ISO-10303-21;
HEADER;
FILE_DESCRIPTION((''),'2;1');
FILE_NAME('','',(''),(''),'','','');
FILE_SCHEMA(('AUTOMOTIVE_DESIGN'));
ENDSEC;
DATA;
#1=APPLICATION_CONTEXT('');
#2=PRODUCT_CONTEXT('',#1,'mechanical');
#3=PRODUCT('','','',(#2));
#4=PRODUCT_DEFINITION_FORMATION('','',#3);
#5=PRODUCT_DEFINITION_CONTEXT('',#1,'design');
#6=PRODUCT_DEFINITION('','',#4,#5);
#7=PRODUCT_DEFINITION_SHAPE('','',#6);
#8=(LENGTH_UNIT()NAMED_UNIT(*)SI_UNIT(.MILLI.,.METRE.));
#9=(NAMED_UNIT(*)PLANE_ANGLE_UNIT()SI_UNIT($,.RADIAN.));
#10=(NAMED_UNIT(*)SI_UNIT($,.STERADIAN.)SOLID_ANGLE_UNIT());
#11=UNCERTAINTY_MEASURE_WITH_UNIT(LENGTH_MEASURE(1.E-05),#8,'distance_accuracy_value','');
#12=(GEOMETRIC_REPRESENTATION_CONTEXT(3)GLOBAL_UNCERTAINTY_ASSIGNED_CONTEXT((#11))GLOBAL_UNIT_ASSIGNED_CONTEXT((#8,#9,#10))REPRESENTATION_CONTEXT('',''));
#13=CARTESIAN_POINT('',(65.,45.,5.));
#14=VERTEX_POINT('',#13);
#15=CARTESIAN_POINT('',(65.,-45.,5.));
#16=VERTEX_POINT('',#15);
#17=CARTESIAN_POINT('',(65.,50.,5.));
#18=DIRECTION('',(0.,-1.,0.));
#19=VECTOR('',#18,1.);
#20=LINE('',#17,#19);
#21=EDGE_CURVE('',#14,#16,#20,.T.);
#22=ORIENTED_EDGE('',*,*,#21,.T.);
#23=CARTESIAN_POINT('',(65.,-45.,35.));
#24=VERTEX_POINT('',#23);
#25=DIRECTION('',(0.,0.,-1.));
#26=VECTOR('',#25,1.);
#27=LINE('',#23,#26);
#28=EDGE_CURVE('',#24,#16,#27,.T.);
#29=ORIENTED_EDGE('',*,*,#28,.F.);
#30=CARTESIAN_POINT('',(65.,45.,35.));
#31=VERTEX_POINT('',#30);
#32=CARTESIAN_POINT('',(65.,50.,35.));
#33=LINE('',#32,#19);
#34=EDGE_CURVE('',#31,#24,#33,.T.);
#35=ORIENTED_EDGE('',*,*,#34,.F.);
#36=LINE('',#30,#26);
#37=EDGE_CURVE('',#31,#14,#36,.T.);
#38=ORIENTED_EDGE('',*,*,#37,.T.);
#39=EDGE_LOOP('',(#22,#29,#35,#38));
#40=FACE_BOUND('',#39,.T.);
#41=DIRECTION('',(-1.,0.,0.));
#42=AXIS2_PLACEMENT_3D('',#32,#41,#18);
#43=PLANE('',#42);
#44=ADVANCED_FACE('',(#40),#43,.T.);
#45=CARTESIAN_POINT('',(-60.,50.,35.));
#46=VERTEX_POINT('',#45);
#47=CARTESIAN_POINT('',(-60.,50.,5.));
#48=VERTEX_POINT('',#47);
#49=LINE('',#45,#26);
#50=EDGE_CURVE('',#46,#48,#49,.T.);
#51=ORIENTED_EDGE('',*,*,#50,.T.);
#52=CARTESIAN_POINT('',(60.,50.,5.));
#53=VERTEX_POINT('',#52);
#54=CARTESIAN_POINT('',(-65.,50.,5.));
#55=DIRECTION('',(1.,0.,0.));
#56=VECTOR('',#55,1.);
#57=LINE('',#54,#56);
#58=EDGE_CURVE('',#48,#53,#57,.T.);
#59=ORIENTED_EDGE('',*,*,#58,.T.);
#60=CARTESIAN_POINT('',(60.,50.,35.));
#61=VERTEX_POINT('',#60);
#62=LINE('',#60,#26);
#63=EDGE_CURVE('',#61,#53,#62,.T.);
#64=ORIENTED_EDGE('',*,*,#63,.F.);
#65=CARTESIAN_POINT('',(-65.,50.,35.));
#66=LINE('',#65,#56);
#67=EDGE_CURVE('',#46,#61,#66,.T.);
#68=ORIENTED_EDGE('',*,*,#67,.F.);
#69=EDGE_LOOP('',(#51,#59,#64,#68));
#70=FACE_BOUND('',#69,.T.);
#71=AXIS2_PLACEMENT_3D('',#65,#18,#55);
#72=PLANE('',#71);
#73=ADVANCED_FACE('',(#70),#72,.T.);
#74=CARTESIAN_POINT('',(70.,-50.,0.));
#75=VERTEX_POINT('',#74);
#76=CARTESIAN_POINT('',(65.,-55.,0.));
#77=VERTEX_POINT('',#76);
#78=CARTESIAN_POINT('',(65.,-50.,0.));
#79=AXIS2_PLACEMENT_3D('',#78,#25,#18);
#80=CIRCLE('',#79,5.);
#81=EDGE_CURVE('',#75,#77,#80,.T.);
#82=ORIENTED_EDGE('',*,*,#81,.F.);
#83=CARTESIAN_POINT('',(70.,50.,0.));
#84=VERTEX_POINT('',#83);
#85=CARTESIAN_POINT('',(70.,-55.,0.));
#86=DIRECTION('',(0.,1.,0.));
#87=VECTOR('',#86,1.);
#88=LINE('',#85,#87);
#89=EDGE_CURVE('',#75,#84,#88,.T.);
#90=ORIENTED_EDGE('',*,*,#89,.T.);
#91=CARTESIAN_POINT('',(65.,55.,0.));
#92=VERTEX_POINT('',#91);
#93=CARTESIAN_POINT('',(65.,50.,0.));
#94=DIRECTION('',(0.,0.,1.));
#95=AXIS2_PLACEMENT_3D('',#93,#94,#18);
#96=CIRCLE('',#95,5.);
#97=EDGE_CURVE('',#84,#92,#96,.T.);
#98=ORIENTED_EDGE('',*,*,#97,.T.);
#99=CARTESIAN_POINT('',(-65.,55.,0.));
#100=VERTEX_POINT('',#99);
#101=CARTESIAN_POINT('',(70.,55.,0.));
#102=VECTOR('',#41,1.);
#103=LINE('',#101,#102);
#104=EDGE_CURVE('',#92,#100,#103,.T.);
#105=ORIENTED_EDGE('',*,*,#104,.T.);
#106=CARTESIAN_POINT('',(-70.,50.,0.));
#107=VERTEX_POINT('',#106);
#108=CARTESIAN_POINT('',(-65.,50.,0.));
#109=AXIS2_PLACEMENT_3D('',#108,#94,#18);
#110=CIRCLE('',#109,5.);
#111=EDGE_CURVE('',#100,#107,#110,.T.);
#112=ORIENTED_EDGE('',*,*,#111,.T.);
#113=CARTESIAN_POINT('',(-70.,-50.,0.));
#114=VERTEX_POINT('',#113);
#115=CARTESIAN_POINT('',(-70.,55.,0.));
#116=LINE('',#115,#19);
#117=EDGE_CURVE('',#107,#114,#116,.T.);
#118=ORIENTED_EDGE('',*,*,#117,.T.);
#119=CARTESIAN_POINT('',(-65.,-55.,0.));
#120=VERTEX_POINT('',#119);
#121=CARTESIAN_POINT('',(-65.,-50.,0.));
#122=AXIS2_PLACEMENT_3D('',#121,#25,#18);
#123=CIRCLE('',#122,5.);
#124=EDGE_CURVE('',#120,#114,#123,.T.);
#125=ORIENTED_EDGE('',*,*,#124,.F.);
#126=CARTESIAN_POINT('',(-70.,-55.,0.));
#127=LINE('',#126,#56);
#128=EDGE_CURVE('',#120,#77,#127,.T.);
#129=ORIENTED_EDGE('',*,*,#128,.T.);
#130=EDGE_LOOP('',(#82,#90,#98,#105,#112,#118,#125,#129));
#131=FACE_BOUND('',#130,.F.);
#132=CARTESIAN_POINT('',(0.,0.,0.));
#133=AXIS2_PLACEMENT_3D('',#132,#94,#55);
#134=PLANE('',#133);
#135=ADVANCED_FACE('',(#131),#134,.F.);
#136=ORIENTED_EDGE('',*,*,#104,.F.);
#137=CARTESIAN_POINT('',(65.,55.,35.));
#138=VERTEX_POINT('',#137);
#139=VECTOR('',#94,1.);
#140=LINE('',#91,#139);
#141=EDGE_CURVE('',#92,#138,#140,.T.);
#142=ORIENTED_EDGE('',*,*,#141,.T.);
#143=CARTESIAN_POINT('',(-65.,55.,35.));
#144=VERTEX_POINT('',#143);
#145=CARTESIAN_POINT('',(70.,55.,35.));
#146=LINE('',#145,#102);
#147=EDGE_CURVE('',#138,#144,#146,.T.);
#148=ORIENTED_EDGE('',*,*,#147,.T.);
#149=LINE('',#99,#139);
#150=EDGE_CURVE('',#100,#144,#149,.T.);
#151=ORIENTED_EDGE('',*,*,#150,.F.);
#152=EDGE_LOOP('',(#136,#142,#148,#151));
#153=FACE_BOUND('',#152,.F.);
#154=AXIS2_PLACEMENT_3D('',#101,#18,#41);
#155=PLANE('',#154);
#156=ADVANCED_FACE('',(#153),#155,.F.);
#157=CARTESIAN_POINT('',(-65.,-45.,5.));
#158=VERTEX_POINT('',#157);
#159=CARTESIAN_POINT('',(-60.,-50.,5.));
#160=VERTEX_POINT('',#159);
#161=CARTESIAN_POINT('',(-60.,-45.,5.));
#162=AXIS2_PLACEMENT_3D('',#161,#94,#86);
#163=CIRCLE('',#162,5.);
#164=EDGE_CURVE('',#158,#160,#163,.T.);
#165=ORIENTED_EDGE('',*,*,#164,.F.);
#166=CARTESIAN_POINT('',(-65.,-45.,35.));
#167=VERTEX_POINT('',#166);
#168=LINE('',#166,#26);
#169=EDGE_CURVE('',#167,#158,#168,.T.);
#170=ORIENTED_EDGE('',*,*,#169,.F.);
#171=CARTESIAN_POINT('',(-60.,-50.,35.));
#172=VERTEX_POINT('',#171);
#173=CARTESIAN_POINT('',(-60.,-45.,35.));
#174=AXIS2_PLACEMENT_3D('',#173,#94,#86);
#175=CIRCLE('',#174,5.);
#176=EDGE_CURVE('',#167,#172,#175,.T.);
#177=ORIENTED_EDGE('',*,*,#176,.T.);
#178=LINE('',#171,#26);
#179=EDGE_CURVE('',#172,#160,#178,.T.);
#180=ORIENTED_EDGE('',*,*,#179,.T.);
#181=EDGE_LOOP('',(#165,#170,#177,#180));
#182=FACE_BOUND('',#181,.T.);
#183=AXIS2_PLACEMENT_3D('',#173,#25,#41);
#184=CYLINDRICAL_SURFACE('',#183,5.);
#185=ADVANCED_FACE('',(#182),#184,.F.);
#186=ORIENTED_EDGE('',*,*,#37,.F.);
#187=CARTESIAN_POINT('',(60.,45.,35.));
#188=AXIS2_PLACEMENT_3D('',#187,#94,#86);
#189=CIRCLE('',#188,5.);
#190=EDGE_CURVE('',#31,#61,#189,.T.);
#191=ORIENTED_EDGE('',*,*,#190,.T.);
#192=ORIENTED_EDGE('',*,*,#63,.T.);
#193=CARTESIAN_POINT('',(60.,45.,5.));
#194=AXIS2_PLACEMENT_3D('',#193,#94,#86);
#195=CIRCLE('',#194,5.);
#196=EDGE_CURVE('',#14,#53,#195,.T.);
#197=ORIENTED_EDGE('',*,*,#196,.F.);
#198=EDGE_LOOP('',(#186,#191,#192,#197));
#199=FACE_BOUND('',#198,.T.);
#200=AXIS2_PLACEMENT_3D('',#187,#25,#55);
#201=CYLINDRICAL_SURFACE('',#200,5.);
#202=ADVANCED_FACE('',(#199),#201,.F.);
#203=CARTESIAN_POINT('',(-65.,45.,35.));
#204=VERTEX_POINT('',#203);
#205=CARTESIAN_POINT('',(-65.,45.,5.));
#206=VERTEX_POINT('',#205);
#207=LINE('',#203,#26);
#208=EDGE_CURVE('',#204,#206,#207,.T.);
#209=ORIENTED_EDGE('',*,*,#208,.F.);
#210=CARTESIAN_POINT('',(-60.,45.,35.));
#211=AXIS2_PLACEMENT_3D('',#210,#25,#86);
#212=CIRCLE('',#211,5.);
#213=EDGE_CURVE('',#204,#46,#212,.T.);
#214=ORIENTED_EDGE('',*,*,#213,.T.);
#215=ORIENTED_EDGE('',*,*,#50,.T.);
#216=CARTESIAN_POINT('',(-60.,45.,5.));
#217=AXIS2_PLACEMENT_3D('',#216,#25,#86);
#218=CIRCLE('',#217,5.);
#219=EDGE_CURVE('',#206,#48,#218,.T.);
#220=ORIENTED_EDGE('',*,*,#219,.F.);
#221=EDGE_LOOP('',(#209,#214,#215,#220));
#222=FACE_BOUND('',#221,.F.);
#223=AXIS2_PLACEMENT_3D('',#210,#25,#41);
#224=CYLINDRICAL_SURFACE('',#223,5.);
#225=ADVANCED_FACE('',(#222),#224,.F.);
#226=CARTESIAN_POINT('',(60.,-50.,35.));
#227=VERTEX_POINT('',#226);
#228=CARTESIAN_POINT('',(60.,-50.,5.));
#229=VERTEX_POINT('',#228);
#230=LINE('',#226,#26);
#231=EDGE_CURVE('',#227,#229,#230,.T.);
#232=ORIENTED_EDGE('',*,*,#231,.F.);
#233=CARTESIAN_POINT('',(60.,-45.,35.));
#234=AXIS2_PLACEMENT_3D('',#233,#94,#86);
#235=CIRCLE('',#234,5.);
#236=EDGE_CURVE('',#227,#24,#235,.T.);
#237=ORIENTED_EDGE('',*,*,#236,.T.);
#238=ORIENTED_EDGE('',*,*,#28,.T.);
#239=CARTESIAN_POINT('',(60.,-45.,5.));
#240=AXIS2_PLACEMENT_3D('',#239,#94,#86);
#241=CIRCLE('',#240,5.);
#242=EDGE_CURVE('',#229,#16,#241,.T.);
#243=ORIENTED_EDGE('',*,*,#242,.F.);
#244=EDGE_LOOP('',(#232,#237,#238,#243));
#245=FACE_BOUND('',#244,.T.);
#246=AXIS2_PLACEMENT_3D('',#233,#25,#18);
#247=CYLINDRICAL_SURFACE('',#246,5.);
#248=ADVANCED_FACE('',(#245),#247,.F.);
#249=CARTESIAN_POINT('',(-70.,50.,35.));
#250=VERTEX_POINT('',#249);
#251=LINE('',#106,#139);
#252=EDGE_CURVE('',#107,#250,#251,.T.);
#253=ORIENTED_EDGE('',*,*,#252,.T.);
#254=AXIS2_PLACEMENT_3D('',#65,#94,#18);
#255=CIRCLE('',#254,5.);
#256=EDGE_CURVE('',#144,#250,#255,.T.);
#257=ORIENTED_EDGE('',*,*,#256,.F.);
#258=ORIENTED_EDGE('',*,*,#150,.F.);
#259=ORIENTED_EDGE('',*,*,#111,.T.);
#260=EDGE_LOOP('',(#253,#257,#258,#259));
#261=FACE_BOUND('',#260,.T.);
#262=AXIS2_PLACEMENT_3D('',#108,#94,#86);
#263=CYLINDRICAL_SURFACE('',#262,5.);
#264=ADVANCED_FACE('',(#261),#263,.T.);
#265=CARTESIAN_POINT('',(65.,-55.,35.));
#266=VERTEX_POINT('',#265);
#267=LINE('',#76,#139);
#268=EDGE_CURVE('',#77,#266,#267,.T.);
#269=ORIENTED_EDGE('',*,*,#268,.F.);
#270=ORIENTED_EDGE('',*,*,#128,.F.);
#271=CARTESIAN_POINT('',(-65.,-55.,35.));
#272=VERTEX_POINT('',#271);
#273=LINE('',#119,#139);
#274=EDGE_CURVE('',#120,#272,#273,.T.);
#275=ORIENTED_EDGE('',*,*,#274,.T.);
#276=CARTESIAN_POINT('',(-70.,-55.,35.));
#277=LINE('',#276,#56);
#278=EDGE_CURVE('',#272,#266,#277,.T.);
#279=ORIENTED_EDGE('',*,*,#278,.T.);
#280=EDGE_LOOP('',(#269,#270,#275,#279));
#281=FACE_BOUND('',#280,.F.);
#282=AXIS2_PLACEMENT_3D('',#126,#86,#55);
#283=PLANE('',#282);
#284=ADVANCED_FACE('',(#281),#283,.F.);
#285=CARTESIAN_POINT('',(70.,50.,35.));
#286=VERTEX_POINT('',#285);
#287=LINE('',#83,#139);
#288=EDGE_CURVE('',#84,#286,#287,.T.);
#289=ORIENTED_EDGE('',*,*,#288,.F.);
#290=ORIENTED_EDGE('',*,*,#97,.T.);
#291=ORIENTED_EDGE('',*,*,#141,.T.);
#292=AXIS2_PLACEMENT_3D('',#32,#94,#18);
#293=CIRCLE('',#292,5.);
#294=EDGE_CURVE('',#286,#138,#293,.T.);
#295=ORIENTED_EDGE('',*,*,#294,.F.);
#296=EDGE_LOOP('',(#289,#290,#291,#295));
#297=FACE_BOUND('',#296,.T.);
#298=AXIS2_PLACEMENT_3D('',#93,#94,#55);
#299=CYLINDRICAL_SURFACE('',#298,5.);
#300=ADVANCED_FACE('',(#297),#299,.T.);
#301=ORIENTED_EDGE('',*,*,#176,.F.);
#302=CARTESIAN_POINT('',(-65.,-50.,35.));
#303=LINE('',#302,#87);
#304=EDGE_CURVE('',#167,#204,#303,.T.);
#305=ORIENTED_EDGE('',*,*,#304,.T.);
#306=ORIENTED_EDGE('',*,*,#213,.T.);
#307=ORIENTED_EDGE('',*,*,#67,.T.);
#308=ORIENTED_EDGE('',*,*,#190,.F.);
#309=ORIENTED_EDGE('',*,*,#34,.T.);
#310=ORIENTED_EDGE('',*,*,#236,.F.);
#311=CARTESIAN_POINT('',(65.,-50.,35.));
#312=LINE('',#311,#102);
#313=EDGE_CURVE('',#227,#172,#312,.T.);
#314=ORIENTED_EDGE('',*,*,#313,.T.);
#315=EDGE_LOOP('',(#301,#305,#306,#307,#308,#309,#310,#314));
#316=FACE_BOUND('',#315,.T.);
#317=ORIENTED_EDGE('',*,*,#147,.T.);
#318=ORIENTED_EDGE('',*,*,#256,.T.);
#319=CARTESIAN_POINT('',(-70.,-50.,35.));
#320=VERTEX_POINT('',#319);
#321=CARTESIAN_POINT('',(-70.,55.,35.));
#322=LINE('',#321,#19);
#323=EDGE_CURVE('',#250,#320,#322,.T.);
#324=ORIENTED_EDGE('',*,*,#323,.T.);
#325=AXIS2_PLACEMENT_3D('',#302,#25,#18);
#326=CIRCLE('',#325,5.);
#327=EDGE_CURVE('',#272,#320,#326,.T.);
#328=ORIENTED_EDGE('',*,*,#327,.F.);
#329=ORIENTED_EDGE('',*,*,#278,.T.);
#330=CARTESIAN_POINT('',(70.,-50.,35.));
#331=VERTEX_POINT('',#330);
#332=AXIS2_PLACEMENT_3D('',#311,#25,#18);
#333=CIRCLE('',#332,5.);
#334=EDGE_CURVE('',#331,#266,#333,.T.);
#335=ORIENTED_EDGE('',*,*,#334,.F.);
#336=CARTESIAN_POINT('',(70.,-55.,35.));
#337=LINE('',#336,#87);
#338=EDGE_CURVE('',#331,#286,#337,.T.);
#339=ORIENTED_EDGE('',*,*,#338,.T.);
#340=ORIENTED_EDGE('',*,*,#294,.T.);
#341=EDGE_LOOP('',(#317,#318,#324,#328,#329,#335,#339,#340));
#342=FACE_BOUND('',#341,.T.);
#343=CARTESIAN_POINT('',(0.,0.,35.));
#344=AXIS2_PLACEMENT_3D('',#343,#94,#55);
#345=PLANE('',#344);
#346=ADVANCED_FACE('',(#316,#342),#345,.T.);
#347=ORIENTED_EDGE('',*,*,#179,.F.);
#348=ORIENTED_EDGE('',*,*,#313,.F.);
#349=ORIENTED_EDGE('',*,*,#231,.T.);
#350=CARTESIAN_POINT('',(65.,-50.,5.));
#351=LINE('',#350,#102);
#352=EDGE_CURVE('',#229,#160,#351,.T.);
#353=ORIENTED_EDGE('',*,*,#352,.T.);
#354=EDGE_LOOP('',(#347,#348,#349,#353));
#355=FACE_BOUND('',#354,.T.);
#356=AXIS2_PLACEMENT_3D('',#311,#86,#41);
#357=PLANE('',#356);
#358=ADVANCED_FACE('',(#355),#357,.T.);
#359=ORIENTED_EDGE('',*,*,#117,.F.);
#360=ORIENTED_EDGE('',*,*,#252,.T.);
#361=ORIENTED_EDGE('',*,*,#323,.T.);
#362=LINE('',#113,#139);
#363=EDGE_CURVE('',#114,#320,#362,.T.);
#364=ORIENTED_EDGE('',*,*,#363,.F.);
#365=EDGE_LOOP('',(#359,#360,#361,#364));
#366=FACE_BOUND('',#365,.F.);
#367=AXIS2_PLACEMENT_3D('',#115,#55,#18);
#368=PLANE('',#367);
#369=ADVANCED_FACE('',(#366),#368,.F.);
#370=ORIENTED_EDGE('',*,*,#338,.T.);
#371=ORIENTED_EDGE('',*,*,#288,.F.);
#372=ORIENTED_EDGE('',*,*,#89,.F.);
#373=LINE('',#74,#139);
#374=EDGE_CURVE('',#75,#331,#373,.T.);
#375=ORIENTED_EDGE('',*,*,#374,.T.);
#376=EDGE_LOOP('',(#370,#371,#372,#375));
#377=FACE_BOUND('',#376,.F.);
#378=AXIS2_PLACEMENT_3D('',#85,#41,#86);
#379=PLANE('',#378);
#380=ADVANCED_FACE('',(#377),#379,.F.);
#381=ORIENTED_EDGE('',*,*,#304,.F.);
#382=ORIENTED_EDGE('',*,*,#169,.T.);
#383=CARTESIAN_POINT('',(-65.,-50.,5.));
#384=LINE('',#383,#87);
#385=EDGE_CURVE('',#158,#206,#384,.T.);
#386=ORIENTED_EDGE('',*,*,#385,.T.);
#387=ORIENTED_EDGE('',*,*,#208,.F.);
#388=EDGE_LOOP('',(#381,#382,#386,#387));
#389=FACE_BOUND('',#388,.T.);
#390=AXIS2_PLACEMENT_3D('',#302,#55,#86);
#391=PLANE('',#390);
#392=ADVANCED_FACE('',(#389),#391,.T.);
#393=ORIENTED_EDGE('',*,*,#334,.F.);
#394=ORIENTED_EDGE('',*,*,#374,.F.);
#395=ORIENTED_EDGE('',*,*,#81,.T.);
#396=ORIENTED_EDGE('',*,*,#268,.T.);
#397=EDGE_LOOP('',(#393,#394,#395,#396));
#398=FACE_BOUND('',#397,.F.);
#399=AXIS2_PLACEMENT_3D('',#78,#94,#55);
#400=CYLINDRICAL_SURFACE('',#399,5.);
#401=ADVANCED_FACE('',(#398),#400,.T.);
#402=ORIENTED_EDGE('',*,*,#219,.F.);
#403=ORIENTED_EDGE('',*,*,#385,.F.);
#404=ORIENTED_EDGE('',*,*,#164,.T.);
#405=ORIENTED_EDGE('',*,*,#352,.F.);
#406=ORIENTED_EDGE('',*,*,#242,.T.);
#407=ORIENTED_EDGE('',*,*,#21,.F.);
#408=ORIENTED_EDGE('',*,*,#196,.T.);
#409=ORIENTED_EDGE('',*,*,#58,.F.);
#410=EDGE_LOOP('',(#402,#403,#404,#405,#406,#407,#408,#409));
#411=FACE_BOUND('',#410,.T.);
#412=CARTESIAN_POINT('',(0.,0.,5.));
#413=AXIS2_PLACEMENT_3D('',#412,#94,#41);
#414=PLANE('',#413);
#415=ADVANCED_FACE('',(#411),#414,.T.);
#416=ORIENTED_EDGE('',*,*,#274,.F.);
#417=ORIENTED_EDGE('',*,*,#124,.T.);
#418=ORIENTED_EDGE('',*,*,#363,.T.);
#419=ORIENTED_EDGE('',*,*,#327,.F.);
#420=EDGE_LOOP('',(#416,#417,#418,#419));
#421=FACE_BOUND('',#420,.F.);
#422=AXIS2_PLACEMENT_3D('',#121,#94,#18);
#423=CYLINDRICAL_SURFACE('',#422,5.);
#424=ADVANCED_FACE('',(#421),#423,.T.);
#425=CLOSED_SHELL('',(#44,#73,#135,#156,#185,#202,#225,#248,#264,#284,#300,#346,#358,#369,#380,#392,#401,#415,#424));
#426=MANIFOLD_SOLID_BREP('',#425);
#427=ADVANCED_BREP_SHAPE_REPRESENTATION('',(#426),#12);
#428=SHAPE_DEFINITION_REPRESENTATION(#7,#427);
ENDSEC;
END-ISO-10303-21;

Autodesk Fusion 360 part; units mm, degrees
sketch "Sketch1" plane through (0, 0, 0) normal (0, 0, 1) x (1, 0, 0) in component "Component"
  line L0 (70, 55) -> (-70, 55)
  line L1 (-70, 55) -> (-70, -55)
  line L2 (-70, -55) -> (70, -55)
  line L3 (70, -55) -> (70, 55)
  line L4 (70, 55) -> (-70, -55) construction
  line L5 (-70, 55) -> (70, -55) construction
  dimension "d1" = 140
  dimension "d2" = 110
extrude "Extrude1" add sketch "Sketch1" along normal blind 35 in component "Component"
sketch "Sketch3" plane through (0, 0, 35) normal (0, 0, 1) x (-1, 0, 0) in component "Component"
  line L0 (-70, 55) -> (-70, -55)
  line L1 (-70, -55) -> (70, -55)
  line L2 (70, -55) -> (70, 55)
  line L3 (70, 55) -> (-70, 55)
  line L4 (65, -50) -> (-65, -50)
  line L5 (-65, -50) -> (-65, 50)
  line L6 (-65, 50) -> (65, 50)
  line L7 (65, 50) -> (65, -50)
  line L8 (65, -50) -> (-65, 50) construction
  line L9 (-65, -50) -> (65, 50) construction
  dimension "d5" = 130
  dimension "d6" = 100
extrude "Extrude2" cut sketch "Sketch3" against normal up to surface (30 mm away) contours L4 L5 L6 L7 in component "Component"
fillet "Fillet1" radius 5 4 edges at (65, -50, 20) (65, 50, 20) (-65, 50, 20) (-65, -50, 20) in component "Component"
fillet "Fillet2" radius 5 4 edges at (-70, 55, 17.5) (-70, -55, 17.5) (70, -55, 17.5) (70, 55, 17.5) in component "Component"
component "Component" placed x (1, 0, 0) y (0, 1, 0) z (0, 0, 1) at (0, 0, 0)
